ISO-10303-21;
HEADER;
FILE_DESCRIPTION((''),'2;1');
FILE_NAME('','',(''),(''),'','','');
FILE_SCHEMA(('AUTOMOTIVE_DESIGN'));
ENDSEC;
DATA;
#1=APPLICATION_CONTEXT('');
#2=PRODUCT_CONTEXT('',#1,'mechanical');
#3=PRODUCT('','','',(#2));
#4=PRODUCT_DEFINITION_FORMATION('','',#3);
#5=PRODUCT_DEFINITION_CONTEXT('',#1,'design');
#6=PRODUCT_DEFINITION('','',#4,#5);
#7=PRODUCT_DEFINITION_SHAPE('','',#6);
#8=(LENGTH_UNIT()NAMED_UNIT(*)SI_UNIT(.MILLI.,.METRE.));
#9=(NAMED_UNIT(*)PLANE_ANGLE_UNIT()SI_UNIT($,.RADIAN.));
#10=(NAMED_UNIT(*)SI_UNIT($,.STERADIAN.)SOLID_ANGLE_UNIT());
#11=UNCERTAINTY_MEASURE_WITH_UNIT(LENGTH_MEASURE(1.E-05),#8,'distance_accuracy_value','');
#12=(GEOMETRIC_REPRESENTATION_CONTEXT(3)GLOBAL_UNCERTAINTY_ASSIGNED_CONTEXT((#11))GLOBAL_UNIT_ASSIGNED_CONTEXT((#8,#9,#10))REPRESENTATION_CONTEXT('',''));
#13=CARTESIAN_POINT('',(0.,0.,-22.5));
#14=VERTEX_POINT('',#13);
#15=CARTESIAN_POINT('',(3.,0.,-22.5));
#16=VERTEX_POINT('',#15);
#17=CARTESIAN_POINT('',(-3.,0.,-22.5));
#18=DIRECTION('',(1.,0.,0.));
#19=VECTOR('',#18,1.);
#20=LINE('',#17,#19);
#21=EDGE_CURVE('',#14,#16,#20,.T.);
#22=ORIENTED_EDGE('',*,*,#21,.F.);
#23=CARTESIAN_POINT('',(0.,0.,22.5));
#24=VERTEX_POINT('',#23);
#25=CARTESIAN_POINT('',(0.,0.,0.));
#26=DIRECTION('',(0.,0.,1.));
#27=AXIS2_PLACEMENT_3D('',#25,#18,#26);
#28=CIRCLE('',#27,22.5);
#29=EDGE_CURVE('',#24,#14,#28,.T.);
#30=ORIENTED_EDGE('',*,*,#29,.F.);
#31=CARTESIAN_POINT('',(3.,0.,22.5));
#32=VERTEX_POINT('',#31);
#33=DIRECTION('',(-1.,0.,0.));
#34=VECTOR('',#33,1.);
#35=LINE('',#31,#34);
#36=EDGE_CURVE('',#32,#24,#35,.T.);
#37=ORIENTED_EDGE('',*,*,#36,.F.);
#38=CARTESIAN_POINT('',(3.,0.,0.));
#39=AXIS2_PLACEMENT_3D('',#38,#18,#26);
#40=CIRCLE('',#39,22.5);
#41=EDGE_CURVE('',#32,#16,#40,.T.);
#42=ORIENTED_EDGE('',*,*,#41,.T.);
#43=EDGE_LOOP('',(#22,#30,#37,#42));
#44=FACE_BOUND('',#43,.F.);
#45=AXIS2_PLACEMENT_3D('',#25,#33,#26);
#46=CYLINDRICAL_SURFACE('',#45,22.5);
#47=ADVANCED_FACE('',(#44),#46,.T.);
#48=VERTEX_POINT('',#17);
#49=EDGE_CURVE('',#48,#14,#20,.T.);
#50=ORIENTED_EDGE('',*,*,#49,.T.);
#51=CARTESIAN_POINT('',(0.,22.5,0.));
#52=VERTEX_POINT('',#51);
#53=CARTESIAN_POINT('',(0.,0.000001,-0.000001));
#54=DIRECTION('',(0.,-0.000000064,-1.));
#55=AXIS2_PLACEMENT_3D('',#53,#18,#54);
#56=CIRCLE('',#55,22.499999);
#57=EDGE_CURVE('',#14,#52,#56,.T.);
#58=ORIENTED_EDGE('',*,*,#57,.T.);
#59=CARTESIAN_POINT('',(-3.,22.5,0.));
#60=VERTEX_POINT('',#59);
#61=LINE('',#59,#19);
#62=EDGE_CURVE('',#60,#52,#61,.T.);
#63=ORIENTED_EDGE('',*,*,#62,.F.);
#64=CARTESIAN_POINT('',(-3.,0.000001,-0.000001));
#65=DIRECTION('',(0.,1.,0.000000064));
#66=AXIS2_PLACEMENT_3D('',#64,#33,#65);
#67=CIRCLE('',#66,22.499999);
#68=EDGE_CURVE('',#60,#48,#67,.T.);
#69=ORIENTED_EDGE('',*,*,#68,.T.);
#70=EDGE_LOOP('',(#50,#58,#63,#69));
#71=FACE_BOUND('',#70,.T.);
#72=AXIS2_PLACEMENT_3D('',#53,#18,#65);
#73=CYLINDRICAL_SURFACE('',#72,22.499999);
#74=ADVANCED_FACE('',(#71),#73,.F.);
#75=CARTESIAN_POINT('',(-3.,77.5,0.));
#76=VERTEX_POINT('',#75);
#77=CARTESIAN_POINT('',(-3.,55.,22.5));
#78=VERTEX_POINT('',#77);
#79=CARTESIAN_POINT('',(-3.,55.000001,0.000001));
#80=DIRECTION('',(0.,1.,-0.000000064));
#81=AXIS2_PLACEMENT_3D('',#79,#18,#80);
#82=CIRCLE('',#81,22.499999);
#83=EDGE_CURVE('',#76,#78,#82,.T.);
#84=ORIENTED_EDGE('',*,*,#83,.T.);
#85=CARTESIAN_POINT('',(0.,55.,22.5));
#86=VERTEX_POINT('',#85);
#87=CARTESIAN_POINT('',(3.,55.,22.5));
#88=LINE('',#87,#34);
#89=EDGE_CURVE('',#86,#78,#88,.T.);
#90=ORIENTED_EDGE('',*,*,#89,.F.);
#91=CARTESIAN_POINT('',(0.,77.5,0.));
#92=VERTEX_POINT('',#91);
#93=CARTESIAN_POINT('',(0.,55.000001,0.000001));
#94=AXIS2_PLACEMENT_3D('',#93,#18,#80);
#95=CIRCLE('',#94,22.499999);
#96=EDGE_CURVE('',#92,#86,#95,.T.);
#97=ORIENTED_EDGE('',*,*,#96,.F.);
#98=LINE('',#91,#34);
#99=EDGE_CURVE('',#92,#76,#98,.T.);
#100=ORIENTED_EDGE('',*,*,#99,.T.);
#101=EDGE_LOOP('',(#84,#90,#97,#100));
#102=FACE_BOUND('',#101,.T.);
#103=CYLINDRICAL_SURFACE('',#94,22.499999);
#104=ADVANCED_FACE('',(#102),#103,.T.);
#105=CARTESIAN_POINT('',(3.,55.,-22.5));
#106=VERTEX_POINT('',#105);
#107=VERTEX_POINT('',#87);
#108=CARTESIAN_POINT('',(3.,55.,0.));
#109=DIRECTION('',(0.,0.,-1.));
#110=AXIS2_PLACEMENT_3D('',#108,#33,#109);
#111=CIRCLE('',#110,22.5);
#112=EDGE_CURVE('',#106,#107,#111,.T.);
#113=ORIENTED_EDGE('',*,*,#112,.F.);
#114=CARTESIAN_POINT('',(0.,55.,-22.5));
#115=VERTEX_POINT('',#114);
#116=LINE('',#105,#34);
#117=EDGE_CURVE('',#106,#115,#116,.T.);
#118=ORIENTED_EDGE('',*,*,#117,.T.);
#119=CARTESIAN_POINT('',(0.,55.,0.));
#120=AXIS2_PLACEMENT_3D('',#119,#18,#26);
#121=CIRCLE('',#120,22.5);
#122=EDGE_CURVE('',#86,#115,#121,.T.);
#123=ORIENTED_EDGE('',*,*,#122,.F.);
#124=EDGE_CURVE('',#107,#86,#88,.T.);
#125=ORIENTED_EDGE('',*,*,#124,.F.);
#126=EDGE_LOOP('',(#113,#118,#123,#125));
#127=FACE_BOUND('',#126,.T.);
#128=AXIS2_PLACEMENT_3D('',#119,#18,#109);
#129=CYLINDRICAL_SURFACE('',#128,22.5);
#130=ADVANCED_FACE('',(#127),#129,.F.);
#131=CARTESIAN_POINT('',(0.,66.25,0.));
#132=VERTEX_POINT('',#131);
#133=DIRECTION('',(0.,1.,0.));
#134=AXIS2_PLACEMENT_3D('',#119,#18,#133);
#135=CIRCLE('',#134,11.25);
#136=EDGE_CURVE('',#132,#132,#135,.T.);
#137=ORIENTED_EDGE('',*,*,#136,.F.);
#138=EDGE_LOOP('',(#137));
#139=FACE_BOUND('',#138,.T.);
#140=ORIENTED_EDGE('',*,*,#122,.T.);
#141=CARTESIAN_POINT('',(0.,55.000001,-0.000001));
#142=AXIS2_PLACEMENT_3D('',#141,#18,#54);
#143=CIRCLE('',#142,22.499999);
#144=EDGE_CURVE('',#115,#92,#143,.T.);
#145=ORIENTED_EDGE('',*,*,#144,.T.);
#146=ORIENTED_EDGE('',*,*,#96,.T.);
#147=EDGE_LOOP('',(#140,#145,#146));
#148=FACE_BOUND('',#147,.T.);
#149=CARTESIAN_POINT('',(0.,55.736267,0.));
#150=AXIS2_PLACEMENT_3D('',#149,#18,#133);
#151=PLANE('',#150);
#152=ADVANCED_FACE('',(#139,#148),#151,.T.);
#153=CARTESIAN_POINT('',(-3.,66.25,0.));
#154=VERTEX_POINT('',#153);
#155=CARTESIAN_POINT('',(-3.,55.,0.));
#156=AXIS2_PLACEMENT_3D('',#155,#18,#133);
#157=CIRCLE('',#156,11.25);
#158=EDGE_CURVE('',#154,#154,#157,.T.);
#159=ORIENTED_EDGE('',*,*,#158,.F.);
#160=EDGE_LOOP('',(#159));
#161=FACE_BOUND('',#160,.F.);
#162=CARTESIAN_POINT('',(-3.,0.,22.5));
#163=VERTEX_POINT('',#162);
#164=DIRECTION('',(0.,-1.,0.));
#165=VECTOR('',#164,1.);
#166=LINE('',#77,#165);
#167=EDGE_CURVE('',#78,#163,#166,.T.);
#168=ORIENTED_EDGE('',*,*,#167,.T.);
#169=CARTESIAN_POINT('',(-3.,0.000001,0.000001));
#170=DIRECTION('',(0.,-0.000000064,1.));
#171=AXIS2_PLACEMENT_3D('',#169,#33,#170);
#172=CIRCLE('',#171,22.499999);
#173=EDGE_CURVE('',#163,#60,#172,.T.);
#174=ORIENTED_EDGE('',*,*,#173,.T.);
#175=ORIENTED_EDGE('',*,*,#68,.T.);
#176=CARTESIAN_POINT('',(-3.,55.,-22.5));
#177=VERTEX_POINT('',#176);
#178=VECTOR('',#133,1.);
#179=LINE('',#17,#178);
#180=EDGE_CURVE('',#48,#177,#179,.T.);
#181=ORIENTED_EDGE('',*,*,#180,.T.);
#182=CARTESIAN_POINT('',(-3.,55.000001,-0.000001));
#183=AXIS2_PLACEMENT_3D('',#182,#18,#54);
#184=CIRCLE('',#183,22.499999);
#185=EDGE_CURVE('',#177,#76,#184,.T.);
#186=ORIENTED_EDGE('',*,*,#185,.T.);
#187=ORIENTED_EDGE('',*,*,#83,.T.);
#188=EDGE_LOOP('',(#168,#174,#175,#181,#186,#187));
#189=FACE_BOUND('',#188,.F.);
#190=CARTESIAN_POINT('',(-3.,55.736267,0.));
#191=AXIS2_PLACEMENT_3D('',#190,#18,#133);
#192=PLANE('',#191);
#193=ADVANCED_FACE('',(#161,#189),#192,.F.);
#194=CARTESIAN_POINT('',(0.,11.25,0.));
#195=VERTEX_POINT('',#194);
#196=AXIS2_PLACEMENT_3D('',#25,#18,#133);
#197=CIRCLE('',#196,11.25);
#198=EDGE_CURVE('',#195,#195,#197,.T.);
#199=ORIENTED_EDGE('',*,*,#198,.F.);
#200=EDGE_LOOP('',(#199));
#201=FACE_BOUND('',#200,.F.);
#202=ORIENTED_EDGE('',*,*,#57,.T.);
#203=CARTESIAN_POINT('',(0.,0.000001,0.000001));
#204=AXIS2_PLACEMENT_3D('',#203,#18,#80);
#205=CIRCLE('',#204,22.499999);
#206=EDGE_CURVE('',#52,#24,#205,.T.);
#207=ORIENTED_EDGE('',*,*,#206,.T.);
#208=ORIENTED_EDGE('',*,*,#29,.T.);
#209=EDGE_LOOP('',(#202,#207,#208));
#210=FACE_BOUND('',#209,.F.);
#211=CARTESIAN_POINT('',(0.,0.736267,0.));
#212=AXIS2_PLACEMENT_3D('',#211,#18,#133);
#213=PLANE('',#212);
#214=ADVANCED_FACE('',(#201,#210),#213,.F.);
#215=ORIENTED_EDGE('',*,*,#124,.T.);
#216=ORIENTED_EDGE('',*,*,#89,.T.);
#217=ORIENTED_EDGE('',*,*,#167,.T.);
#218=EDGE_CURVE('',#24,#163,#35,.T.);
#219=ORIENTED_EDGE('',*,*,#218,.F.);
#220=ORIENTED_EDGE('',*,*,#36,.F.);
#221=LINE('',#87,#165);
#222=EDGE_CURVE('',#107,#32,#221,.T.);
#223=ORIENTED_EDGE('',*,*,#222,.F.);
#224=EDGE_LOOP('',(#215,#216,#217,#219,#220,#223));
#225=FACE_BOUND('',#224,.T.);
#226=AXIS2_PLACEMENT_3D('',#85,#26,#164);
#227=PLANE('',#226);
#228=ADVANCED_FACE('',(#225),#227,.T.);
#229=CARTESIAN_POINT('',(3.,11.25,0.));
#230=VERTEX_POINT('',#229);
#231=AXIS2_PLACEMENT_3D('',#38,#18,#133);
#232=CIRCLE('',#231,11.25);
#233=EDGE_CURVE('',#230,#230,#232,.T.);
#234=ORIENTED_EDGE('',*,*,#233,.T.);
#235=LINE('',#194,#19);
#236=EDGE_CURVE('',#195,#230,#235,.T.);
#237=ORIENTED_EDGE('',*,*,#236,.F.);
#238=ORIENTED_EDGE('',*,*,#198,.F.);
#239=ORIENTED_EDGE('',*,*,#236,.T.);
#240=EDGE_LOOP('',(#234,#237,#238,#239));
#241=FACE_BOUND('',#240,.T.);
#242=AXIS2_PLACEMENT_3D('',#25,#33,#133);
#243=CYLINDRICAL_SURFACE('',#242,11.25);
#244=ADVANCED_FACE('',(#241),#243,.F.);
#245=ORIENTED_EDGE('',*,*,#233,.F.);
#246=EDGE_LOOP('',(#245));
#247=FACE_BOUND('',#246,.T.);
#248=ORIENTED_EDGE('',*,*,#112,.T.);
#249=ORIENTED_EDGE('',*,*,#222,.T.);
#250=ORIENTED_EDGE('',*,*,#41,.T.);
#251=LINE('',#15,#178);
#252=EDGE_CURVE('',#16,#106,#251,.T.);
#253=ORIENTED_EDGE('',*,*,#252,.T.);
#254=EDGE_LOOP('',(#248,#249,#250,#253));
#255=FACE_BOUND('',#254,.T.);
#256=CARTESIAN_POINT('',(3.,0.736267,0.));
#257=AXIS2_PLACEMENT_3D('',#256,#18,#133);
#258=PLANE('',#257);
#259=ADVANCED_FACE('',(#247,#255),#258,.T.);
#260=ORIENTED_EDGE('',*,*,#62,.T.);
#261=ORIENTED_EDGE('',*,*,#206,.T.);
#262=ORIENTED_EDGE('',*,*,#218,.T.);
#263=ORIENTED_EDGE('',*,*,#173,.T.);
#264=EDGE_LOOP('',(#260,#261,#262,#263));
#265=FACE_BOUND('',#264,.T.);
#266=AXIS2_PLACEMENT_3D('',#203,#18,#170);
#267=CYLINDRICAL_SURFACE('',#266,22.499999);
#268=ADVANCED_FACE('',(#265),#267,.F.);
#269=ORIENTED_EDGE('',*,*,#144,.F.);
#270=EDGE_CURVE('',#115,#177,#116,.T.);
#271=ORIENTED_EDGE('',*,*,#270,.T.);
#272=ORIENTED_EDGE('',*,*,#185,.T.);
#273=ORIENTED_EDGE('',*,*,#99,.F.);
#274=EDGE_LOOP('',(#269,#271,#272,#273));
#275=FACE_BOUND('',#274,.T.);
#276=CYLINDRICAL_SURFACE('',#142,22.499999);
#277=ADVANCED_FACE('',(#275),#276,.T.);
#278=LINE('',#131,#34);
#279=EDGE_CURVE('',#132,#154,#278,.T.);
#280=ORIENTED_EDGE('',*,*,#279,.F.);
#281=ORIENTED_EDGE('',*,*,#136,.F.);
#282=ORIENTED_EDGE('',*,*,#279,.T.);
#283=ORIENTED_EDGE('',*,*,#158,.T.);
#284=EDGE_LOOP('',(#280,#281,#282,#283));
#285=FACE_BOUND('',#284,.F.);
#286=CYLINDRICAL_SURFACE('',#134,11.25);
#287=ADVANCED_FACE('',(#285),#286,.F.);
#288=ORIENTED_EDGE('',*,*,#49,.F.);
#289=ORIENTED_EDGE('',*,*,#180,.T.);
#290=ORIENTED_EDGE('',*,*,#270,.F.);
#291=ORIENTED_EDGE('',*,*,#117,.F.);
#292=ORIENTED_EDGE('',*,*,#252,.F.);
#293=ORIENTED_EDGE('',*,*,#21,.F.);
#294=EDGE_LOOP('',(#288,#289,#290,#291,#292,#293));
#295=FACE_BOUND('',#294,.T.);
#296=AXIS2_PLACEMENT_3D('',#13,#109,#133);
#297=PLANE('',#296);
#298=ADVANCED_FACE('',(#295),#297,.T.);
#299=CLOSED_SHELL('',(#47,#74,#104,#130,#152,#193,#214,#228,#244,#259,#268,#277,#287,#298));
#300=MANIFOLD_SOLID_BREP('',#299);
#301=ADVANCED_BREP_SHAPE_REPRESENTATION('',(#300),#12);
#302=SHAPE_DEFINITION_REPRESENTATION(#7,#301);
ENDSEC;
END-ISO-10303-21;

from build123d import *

# Parameters (mm, degrees)
F1_DEPTH      = 3
F1_DEPTH_BACK = 3
F0_R          = 11.25
F2_DEPTH      = 3
F3_DEPTH      = 3


with BuildPart() as f1:
    # F0 (on Right) → F1 (new body, two sides)
    with BuildSketch(Plane.YZ) as f1_sk:
        with BuildLine():
            ThreePointArc((0, 22.5), (15.909903, 15.909903), (22.5, 0))
            ThreePointArc((22.5, 0), (15.909903, -15.909903), (0, -22.5))
            Line((0, -22.5), (55, -22.5))
            ThreePointArc((55, -22.5), (32.5, 0), (55, 22.5))
            Line((55, 22.5), (0, 22.5))
        make_face()
    extrude(amount=F1_DEPTH)
    extrude(f1_sk.sketch, amount=-F1_DEPTH_BACK)

    # F0 (on Right) → F2 (join)
    with BuildSketch(Plane.YZ):
        with BuildLine():
            ThreePointArc((0, -22.5), (15.909903, -15.909903), (22.5, 0))
            ThreePointArc((22.5, 0), (15.909903, 15.909903), (0, 22.5))
            ThreePointArc((0, 22.5), (-22.5, 0), (0, -22.5))
        make_face()
        Circle(F0_R, mode=Mode.SUBTRACT)
    extrude(amount=F2_DEPTH)

    # F0 (on Right) → F3 (join)
    with BuildSketch(Plane.YZ):
        with BuildLine():
            ThreePointArc((77.5, 0), (70.909903, 15.909903), (55, 22.5))
            ThreePointArc((55, 22.5), (32.5, 0), (55, -22.5))
            ThreePointArc((55, -22.5), (70.909903, -15.909903), (77.5, 0))
        make_face()
        with Locations((55, 0)):
            Circle(F0_R, mode=Mode.SUBTRACT)
    extrude(amount=-F3_DEPTH)


solid = f1.part
